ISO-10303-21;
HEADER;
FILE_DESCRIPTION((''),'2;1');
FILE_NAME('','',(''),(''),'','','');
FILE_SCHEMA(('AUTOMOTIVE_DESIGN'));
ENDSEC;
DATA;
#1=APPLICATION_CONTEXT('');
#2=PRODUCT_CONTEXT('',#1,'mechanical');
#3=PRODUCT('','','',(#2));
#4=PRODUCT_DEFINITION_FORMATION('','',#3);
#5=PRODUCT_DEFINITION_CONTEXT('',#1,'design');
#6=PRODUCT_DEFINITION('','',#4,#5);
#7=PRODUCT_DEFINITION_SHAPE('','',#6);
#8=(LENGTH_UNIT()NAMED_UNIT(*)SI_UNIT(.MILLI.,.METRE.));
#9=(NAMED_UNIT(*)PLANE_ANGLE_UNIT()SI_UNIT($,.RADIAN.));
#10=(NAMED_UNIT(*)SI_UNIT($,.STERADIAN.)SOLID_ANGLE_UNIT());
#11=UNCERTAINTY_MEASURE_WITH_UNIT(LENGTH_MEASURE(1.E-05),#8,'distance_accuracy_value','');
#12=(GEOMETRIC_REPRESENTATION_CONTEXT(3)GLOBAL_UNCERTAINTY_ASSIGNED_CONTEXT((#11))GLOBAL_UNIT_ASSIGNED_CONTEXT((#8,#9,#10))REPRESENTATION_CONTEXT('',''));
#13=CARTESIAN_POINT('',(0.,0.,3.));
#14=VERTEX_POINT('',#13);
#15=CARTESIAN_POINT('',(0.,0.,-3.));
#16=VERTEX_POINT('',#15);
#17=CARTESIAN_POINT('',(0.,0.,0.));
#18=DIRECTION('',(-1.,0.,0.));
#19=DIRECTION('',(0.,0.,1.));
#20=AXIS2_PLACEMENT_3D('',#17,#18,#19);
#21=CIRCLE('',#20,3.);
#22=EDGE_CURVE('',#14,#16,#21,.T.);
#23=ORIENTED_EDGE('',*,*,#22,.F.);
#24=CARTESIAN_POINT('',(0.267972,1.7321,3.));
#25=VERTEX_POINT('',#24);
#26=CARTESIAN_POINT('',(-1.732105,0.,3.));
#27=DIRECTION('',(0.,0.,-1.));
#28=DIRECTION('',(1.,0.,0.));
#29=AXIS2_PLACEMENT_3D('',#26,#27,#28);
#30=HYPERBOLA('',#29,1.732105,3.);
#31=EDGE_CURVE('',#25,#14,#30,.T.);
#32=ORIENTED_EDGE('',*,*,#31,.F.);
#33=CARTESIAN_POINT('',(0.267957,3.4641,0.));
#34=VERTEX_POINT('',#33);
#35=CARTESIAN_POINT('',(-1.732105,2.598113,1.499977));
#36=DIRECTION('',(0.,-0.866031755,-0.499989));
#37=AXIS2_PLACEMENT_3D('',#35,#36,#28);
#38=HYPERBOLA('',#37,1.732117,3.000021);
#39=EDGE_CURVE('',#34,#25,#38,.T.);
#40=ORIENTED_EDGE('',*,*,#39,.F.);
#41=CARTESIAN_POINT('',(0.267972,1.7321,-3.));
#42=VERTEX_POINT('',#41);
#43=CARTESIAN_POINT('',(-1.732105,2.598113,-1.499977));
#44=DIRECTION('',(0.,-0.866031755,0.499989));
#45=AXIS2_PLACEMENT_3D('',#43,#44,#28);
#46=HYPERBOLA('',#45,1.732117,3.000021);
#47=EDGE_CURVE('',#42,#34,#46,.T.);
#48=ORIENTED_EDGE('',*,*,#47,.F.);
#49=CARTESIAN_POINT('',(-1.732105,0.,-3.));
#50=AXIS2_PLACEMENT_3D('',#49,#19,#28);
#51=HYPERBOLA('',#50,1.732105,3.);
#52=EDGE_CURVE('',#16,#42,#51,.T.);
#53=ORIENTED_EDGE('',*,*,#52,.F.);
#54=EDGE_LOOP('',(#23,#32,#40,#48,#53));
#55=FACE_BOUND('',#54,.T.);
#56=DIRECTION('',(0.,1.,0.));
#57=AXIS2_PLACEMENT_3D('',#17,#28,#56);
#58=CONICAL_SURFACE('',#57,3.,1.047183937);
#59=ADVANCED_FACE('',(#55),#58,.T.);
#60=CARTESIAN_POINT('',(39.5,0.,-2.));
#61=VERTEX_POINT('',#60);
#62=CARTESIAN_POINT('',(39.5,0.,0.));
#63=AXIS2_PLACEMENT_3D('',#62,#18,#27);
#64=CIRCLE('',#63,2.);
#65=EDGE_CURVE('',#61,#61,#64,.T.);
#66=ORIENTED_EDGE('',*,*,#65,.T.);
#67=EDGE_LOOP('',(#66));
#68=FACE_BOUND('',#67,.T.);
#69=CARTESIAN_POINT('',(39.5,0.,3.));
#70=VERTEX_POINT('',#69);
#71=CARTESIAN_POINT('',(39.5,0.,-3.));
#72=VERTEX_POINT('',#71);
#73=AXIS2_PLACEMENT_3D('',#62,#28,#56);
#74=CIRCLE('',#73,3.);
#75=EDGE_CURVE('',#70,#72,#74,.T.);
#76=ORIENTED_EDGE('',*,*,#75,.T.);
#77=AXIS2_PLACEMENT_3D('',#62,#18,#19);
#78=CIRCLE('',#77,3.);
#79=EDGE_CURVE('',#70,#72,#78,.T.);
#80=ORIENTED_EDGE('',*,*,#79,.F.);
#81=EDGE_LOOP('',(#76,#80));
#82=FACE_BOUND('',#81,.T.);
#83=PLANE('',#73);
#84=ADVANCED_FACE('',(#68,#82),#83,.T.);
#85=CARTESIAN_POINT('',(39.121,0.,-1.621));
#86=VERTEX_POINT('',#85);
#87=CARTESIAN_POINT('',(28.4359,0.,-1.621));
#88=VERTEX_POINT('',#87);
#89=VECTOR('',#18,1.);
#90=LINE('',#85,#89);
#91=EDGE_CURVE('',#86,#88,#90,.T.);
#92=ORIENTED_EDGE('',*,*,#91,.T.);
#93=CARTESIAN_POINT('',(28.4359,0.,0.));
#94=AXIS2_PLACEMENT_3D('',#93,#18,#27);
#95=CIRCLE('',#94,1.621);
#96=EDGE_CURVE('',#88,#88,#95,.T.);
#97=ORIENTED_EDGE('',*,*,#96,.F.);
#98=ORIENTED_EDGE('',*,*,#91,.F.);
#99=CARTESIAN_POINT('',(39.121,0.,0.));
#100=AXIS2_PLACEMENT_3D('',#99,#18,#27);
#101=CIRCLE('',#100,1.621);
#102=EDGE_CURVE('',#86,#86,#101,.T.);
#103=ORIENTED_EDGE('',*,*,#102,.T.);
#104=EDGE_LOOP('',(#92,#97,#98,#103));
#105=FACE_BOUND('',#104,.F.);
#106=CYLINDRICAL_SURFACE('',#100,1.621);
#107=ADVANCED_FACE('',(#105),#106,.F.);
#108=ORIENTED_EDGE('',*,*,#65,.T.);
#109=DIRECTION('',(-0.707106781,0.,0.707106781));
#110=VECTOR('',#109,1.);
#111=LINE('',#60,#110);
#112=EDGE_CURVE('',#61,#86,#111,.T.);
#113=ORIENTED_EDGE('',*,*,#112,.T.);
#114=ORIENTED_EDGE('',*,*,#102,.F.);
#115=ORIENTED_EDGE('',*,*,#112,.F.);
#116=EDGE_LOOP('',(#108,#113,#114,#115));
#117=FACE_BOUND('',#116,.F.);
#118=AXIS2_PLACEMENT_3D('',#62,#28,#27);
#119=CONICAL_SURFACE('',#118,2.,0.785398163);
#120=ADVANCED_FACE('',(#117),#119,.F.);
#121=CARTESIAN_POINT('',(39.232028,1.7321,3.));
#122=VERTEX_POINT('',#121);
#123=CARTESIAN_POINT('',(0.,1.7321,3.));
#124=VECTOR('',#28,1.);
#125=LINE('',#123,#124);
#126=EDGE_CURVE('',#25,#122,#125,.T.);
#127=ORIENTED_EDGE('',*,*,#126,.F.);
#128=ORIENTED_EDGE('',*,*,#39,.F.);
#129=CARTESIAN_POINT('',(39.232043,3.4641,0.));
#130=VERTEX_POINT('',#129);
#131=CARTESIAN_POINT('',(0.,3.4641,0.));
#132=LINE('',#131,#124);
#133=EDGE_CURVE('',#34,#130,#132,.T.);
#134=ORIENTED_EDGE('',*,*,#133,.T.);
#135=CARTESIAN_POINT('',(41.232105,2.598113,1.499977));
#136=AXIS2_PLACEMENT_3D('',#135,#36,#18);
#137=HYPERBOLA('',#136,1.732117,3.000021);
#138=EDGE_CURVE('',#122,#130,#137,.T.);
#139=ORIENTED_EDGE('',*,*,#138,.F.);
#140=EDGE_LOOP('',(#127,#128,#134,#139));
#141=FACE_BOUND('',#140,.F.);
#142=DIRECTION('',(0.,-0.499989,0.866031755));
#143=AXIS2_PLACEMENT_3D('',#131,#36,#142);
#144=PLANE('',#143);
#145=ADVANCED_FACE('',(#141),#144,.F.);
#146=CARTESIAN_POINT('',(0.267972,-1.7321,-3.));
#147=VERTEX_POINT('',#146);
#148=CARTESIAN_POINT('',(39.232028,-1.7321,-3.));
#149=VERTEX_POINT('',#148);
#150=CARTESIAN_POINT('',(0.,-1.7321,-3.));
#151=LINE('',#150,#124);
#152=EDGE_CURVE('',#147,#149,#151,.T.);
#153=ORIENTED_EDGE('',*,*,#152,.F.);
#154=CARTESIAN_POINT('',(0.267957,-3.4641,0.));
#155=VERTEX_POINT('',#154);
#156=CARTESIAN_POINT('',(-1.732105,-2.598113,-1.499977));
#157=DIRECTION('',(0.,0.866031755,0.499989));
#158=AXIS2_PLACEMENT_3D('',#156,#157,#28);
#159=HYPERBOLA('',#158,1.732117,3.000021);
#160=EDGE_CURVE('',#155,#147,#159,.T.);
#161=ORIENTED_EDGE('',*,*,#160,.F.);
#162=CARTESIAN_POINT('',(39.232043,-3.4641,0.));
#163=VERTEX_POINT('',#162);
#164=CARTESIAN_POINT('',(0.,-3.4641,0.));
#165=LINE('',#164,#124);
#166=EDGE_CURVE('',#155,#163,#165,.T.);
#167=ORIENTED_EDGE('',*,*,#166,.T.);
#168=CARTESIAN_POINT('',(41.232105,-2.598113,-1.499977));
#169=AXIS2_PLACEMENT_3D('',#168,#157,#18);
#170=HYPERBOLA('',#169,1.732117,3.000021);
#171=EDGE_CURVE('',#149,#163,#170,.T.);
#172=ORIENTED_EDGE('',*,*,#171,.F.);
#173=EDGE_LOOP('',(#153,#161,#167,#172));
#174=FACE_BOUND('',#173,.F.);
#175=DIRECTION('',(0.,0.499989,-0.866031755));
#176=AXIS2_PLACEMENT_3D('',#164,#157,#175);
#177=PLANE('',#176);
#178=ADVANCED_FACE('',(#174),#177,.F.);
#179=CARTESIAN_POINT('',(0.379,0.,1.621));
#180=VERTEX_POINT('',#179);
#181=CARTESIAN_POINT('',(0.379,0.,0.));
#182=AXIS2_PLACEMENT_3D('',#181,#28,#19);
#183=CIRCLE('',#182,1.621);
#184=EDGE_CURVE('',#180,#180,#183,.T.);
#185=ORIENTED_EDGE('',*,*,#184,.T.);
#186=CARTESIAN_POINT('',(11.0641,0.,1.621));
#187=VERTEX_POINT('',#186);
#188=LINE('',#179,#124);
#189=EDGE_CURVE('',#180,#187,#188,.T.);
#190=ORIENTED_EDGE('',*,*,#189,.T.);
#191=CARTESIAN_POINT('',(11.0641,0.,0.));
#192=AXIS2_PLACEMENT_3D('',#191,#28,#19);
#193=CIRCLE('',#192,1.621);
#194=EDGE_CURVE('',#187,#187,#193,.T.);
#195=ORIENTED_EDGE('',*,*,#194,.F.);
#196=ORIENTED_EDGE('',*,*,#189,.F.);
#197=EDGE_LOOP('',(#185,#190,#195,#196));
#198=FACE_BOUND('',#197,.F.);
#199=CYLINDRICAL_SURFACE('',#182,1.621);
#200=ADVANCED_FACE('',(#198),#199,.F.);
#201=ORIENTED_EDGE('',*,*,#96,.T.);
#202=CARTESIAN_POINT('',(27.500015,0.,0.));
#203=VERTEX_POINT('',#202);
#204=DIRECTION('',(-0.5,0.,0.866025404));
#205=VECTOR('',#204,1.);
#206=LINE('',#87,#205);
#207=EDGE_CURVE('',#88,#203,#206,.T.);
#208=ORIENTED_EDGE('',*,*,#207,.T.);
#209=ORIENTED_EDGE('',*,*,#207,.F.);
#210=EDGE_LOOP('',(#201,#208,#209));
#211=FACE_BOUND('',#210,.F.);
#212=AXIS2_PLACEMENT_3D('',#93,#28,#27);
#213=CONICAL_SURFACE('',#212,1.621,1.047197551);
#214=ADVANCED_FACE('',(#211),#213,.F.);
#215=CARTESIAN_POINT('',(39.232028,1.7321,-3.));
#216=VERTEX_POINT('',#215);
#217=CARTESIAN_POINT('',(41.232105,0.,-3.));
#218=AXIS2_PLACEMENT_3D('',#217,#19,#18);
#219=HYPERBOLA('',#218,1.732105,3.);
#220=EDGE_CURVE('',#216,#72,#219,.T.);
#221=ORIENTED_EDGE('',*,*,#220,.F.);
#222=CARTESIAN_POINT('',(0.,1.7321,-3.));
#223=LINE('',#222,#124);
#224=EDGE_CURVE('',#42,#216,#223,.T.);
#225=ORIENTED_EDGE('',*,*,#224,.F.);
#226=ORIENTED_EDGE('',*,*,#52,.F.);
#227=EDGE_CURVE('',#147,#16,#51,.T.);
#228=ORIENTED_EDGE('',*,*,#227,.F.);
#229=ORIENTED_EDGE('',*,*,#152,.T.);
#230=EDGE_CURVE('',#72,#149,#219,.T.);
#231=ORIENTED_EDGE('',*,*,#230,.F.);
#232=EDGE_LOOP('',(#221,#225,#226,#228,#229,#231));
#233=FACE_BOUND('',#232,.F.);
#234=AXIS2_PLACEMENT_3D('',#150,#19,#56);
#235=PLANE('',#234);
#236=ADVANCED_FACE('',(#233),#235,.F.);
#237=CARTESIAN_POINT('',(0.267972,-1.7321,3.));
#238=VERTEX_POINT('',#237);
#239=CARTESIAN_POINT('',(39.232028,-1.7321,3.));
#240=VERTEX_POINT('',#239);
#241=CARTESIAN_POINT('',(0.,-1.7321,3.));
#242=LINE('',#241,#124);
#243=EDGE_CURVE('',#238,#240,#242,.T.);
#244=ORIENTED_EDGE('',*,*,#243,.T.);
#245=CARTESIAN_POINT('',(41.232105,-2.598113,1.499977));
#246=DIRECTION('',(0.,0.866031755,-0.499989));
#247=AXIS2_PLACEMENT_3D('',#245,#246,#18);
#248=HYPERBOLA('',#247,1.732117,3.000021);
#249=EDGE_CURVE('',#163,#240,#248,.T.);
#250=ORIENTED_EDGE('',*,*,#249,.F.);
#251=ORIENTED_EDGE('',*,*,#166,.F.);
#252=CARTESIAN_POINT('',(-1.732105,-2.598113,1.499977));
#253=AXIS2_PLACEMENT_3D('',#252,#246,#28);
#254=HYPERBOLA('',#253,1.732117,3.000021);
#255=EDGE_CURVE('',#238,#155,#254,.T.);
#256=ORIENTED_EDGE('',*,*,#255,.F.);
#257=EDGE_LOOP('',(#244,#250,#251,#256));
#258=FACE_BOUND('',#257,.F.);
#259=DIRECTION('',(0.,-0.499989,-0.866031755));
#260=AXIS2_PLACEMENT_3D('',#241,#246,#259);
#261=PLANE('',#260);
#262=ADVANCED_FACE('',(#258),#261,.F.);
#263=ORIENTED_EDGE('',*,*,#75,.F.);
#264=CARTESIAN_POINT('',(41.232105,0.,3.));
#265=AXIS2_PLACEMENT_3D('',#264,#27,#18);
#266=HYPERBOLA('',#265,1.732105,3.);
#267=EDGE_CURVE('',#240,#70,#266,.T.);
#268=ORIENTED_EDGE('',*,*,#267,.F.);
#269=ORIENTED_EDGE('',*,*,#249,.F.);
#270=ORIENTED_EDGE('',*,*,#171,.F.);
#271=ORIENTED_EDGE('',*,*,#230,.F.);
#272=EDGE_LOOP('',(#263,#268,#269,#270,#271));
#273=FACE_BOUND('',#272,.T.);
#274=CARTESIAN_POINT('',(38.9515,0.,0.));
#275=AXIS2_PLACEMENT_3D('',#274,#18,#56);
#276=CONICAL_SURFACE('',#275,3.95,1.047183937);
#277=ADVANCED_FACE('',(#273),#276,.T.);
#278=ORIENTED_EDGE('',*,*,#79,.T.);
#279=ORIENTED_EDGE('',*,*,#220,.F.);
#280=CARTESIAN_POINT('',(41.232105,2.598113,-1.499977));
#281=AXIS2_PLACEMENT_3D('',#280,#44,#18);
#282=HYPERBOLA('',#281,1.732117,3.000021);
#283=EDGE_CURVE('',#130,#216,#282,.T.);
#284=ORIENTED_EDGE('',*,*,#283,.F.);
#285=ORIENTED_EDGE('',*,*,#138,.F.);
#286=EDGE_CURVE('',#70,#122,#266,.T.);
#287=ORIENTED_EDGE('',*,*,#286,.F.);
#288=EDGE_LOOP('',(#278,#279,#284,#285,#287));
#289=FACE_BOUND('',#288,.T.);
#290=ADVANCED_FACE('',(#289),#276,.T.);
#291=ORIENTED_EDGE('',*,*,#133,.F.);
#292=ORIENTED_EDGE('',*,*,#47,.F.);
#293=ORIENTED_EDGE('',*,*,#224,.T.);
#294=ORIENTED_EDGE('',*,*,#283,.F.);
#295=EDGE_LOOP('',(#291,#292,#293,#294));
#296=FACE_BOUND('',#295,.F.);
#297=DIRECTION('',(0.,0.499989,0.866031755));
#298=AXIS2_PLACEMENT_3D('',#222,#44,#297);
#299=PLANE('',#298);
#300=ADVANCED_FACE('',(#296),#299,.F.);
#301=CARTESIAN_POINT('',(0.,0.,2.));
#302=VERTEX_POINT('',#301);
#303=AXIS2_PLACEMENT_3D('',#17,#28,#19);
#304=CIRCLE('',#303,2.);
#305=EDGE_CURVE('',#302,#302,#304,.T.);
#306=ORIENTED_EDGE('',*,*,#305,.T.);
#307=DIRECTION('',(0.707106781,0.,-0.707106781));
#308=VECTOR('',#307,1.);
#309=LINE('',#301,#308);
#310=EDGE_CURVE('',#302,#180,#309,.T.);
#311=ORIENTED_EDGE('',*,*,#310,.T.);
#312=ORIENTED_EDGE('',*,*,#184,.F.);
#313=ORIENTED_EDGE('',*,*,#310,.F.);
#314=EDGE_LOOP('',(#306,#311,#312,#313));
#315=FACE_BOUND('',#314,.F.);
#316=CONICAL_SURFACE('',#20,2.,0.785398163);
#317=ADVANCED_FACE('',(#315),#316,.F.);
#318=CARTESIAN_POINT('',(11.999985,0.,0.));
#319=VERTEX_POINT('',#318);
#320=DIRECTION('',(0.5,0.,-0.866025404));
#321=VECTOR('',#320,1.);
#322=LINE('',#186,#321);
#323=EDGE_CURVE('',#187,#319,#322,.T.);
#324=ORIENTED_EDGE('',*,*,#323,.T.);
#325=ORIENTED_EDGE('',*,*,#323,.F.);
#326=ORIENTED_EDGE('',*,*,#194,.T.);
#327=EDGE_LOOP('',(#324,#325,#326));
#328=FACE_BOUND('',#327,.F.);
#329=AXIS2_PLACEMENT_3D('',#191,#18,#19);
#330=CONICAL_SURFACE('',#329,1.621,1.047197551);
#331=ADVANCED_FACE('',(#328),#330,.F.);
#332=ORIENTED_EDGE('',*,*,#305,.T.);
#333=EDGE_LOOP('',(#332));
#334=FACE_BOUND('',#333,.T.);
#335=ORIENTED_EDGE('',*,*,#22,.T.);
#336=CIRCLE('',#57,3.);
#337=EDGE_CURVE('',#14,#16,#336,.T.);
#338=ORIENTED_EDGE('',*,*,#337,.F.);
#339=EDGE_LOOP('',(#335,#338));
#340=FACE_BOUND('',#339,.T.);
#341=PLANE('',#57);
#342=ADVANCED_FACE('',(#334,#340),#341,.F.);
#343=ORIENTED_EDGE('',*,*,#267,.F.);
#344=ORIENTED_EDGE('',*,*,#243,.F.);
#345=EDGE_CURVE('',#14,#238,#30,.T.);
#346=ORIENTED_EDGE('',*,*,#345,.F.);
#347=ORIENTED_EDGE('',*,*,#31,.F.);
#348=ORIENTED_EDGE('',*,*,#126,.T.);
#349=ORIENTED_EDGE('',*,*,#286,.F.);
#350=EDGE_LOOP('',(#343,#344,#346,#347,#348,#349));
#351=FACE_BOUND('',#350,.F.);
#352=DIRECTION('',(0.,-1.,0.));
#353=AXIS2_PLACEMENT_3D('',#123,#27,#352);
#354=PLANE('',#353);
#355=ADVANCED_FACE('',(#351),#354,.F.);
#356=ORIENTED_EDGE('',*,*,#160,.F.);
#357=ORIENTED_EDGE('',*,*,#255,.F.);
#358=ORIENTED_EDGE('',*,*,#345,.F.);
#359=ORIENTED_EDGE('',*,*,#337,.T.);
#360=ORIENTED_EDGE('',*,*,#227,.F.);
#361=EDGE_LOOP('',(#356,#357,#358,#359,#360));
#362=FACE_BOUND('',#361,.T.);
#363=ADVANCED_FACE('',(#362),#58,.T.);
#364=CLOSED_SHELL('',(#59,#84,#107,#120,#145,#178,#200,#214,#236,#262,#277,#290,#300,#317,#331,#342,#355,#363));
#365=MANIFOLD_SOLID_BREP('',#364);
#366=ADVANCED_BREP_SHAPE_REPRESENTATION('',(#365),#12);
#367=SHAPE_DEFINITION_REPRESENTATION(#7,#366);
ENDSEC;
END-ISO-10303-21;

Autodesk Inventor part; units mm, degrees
sketch "Sketch_1" plane through (0, 0, 0) normal (0, 0, 1) x (1, 0, 0)
  line L0 (39.5, 0) -> (0, 0)
  line L1 (0, 0) -> (0, 3)
  line L2 (0, 3) -> (0.5485, 3.95)
  line L3 (0.5485, 3.95) -> (38.9515, 3.95)
  line L4 (38.9515, 3.95) -> (39.5, 3)
  line L5 (39.5, 3) -> (39.5, 0)
  line L6 (39.5, 0) -> (0, 0)
revolve "Revolution1" add sketch "Sketch_1" angle 360 about axis through (39.5, 0, 0) along (1, 0, 0)
sketch "Sketch_2" plane through (0, 0, 0) normal (1, 0, 0) x (0, 1, 0)
  line L0 (6, 6) -> (-6, 6)
  line L1 (-6, 6) -> (-6, -6)
  line L2 (-6, -6) -> (6, -6)
  line L3 (6, -6) -> (6, 6)
  line L4 (-1.7321, 3) -> (-3.4641, 0)
  line L5 (-3.4641, 0) -> (-1.7321, -3)
  line L6 (-1.7321, -3) -> (1.7321, -3)
  line L7 (1.7321, -3) -> (3.4641, 0)
  line L8 (3.4641, 0) -> (1.7321, 3)
  line L9 (1.7321, 3) -> (-1.7321, 3)
extrude "Extrusion1" cut sketch "Sketch_2" along normal blind 39.5
sketch "Sketch3" plane through (0, 0, 0) normal (-1, 0, 0) x (0, 0, 1)
  point P0 (0, 0)
hole "Hole1" at (0, 0, 0) direction (1, 0, 0) diameter 3.242 depth 11.0641 tip angle 120 countersink diameter 4 countersink angle 90 thread size "M4x0.7" class "6H" standard "ISO Metric profile"
sketch "Sketch4" plane through (39.5, 0, 0) normal (1, 0, 0) x (0, 0, -1)
  point P0 (0, 0)
hole "Hole2" at (39.5, 0, 0) direction (-1, 0, 0) diameter 3.242 depth 11.0641 tip angle 120 countersink diameter 4 countersink angle 90 thread size "M4x0.7" class "6H" standard "ISO Metric profile"
ref_plane "C3_XY" through (39.5, 0, 0) normal (-1, 0, 0) x (0, 0, -1)
ref_plane "C3_YZ" through (39.5, 0, 0) normal (0, 0, -1) x (0, -1, 0)
ref_plane "C3_ZX" through (39.5, 0, 0) normal (0, -1, 0) x (-1, 0, 0)
properties part number "SLSBF6-39.5-M4-N4"
